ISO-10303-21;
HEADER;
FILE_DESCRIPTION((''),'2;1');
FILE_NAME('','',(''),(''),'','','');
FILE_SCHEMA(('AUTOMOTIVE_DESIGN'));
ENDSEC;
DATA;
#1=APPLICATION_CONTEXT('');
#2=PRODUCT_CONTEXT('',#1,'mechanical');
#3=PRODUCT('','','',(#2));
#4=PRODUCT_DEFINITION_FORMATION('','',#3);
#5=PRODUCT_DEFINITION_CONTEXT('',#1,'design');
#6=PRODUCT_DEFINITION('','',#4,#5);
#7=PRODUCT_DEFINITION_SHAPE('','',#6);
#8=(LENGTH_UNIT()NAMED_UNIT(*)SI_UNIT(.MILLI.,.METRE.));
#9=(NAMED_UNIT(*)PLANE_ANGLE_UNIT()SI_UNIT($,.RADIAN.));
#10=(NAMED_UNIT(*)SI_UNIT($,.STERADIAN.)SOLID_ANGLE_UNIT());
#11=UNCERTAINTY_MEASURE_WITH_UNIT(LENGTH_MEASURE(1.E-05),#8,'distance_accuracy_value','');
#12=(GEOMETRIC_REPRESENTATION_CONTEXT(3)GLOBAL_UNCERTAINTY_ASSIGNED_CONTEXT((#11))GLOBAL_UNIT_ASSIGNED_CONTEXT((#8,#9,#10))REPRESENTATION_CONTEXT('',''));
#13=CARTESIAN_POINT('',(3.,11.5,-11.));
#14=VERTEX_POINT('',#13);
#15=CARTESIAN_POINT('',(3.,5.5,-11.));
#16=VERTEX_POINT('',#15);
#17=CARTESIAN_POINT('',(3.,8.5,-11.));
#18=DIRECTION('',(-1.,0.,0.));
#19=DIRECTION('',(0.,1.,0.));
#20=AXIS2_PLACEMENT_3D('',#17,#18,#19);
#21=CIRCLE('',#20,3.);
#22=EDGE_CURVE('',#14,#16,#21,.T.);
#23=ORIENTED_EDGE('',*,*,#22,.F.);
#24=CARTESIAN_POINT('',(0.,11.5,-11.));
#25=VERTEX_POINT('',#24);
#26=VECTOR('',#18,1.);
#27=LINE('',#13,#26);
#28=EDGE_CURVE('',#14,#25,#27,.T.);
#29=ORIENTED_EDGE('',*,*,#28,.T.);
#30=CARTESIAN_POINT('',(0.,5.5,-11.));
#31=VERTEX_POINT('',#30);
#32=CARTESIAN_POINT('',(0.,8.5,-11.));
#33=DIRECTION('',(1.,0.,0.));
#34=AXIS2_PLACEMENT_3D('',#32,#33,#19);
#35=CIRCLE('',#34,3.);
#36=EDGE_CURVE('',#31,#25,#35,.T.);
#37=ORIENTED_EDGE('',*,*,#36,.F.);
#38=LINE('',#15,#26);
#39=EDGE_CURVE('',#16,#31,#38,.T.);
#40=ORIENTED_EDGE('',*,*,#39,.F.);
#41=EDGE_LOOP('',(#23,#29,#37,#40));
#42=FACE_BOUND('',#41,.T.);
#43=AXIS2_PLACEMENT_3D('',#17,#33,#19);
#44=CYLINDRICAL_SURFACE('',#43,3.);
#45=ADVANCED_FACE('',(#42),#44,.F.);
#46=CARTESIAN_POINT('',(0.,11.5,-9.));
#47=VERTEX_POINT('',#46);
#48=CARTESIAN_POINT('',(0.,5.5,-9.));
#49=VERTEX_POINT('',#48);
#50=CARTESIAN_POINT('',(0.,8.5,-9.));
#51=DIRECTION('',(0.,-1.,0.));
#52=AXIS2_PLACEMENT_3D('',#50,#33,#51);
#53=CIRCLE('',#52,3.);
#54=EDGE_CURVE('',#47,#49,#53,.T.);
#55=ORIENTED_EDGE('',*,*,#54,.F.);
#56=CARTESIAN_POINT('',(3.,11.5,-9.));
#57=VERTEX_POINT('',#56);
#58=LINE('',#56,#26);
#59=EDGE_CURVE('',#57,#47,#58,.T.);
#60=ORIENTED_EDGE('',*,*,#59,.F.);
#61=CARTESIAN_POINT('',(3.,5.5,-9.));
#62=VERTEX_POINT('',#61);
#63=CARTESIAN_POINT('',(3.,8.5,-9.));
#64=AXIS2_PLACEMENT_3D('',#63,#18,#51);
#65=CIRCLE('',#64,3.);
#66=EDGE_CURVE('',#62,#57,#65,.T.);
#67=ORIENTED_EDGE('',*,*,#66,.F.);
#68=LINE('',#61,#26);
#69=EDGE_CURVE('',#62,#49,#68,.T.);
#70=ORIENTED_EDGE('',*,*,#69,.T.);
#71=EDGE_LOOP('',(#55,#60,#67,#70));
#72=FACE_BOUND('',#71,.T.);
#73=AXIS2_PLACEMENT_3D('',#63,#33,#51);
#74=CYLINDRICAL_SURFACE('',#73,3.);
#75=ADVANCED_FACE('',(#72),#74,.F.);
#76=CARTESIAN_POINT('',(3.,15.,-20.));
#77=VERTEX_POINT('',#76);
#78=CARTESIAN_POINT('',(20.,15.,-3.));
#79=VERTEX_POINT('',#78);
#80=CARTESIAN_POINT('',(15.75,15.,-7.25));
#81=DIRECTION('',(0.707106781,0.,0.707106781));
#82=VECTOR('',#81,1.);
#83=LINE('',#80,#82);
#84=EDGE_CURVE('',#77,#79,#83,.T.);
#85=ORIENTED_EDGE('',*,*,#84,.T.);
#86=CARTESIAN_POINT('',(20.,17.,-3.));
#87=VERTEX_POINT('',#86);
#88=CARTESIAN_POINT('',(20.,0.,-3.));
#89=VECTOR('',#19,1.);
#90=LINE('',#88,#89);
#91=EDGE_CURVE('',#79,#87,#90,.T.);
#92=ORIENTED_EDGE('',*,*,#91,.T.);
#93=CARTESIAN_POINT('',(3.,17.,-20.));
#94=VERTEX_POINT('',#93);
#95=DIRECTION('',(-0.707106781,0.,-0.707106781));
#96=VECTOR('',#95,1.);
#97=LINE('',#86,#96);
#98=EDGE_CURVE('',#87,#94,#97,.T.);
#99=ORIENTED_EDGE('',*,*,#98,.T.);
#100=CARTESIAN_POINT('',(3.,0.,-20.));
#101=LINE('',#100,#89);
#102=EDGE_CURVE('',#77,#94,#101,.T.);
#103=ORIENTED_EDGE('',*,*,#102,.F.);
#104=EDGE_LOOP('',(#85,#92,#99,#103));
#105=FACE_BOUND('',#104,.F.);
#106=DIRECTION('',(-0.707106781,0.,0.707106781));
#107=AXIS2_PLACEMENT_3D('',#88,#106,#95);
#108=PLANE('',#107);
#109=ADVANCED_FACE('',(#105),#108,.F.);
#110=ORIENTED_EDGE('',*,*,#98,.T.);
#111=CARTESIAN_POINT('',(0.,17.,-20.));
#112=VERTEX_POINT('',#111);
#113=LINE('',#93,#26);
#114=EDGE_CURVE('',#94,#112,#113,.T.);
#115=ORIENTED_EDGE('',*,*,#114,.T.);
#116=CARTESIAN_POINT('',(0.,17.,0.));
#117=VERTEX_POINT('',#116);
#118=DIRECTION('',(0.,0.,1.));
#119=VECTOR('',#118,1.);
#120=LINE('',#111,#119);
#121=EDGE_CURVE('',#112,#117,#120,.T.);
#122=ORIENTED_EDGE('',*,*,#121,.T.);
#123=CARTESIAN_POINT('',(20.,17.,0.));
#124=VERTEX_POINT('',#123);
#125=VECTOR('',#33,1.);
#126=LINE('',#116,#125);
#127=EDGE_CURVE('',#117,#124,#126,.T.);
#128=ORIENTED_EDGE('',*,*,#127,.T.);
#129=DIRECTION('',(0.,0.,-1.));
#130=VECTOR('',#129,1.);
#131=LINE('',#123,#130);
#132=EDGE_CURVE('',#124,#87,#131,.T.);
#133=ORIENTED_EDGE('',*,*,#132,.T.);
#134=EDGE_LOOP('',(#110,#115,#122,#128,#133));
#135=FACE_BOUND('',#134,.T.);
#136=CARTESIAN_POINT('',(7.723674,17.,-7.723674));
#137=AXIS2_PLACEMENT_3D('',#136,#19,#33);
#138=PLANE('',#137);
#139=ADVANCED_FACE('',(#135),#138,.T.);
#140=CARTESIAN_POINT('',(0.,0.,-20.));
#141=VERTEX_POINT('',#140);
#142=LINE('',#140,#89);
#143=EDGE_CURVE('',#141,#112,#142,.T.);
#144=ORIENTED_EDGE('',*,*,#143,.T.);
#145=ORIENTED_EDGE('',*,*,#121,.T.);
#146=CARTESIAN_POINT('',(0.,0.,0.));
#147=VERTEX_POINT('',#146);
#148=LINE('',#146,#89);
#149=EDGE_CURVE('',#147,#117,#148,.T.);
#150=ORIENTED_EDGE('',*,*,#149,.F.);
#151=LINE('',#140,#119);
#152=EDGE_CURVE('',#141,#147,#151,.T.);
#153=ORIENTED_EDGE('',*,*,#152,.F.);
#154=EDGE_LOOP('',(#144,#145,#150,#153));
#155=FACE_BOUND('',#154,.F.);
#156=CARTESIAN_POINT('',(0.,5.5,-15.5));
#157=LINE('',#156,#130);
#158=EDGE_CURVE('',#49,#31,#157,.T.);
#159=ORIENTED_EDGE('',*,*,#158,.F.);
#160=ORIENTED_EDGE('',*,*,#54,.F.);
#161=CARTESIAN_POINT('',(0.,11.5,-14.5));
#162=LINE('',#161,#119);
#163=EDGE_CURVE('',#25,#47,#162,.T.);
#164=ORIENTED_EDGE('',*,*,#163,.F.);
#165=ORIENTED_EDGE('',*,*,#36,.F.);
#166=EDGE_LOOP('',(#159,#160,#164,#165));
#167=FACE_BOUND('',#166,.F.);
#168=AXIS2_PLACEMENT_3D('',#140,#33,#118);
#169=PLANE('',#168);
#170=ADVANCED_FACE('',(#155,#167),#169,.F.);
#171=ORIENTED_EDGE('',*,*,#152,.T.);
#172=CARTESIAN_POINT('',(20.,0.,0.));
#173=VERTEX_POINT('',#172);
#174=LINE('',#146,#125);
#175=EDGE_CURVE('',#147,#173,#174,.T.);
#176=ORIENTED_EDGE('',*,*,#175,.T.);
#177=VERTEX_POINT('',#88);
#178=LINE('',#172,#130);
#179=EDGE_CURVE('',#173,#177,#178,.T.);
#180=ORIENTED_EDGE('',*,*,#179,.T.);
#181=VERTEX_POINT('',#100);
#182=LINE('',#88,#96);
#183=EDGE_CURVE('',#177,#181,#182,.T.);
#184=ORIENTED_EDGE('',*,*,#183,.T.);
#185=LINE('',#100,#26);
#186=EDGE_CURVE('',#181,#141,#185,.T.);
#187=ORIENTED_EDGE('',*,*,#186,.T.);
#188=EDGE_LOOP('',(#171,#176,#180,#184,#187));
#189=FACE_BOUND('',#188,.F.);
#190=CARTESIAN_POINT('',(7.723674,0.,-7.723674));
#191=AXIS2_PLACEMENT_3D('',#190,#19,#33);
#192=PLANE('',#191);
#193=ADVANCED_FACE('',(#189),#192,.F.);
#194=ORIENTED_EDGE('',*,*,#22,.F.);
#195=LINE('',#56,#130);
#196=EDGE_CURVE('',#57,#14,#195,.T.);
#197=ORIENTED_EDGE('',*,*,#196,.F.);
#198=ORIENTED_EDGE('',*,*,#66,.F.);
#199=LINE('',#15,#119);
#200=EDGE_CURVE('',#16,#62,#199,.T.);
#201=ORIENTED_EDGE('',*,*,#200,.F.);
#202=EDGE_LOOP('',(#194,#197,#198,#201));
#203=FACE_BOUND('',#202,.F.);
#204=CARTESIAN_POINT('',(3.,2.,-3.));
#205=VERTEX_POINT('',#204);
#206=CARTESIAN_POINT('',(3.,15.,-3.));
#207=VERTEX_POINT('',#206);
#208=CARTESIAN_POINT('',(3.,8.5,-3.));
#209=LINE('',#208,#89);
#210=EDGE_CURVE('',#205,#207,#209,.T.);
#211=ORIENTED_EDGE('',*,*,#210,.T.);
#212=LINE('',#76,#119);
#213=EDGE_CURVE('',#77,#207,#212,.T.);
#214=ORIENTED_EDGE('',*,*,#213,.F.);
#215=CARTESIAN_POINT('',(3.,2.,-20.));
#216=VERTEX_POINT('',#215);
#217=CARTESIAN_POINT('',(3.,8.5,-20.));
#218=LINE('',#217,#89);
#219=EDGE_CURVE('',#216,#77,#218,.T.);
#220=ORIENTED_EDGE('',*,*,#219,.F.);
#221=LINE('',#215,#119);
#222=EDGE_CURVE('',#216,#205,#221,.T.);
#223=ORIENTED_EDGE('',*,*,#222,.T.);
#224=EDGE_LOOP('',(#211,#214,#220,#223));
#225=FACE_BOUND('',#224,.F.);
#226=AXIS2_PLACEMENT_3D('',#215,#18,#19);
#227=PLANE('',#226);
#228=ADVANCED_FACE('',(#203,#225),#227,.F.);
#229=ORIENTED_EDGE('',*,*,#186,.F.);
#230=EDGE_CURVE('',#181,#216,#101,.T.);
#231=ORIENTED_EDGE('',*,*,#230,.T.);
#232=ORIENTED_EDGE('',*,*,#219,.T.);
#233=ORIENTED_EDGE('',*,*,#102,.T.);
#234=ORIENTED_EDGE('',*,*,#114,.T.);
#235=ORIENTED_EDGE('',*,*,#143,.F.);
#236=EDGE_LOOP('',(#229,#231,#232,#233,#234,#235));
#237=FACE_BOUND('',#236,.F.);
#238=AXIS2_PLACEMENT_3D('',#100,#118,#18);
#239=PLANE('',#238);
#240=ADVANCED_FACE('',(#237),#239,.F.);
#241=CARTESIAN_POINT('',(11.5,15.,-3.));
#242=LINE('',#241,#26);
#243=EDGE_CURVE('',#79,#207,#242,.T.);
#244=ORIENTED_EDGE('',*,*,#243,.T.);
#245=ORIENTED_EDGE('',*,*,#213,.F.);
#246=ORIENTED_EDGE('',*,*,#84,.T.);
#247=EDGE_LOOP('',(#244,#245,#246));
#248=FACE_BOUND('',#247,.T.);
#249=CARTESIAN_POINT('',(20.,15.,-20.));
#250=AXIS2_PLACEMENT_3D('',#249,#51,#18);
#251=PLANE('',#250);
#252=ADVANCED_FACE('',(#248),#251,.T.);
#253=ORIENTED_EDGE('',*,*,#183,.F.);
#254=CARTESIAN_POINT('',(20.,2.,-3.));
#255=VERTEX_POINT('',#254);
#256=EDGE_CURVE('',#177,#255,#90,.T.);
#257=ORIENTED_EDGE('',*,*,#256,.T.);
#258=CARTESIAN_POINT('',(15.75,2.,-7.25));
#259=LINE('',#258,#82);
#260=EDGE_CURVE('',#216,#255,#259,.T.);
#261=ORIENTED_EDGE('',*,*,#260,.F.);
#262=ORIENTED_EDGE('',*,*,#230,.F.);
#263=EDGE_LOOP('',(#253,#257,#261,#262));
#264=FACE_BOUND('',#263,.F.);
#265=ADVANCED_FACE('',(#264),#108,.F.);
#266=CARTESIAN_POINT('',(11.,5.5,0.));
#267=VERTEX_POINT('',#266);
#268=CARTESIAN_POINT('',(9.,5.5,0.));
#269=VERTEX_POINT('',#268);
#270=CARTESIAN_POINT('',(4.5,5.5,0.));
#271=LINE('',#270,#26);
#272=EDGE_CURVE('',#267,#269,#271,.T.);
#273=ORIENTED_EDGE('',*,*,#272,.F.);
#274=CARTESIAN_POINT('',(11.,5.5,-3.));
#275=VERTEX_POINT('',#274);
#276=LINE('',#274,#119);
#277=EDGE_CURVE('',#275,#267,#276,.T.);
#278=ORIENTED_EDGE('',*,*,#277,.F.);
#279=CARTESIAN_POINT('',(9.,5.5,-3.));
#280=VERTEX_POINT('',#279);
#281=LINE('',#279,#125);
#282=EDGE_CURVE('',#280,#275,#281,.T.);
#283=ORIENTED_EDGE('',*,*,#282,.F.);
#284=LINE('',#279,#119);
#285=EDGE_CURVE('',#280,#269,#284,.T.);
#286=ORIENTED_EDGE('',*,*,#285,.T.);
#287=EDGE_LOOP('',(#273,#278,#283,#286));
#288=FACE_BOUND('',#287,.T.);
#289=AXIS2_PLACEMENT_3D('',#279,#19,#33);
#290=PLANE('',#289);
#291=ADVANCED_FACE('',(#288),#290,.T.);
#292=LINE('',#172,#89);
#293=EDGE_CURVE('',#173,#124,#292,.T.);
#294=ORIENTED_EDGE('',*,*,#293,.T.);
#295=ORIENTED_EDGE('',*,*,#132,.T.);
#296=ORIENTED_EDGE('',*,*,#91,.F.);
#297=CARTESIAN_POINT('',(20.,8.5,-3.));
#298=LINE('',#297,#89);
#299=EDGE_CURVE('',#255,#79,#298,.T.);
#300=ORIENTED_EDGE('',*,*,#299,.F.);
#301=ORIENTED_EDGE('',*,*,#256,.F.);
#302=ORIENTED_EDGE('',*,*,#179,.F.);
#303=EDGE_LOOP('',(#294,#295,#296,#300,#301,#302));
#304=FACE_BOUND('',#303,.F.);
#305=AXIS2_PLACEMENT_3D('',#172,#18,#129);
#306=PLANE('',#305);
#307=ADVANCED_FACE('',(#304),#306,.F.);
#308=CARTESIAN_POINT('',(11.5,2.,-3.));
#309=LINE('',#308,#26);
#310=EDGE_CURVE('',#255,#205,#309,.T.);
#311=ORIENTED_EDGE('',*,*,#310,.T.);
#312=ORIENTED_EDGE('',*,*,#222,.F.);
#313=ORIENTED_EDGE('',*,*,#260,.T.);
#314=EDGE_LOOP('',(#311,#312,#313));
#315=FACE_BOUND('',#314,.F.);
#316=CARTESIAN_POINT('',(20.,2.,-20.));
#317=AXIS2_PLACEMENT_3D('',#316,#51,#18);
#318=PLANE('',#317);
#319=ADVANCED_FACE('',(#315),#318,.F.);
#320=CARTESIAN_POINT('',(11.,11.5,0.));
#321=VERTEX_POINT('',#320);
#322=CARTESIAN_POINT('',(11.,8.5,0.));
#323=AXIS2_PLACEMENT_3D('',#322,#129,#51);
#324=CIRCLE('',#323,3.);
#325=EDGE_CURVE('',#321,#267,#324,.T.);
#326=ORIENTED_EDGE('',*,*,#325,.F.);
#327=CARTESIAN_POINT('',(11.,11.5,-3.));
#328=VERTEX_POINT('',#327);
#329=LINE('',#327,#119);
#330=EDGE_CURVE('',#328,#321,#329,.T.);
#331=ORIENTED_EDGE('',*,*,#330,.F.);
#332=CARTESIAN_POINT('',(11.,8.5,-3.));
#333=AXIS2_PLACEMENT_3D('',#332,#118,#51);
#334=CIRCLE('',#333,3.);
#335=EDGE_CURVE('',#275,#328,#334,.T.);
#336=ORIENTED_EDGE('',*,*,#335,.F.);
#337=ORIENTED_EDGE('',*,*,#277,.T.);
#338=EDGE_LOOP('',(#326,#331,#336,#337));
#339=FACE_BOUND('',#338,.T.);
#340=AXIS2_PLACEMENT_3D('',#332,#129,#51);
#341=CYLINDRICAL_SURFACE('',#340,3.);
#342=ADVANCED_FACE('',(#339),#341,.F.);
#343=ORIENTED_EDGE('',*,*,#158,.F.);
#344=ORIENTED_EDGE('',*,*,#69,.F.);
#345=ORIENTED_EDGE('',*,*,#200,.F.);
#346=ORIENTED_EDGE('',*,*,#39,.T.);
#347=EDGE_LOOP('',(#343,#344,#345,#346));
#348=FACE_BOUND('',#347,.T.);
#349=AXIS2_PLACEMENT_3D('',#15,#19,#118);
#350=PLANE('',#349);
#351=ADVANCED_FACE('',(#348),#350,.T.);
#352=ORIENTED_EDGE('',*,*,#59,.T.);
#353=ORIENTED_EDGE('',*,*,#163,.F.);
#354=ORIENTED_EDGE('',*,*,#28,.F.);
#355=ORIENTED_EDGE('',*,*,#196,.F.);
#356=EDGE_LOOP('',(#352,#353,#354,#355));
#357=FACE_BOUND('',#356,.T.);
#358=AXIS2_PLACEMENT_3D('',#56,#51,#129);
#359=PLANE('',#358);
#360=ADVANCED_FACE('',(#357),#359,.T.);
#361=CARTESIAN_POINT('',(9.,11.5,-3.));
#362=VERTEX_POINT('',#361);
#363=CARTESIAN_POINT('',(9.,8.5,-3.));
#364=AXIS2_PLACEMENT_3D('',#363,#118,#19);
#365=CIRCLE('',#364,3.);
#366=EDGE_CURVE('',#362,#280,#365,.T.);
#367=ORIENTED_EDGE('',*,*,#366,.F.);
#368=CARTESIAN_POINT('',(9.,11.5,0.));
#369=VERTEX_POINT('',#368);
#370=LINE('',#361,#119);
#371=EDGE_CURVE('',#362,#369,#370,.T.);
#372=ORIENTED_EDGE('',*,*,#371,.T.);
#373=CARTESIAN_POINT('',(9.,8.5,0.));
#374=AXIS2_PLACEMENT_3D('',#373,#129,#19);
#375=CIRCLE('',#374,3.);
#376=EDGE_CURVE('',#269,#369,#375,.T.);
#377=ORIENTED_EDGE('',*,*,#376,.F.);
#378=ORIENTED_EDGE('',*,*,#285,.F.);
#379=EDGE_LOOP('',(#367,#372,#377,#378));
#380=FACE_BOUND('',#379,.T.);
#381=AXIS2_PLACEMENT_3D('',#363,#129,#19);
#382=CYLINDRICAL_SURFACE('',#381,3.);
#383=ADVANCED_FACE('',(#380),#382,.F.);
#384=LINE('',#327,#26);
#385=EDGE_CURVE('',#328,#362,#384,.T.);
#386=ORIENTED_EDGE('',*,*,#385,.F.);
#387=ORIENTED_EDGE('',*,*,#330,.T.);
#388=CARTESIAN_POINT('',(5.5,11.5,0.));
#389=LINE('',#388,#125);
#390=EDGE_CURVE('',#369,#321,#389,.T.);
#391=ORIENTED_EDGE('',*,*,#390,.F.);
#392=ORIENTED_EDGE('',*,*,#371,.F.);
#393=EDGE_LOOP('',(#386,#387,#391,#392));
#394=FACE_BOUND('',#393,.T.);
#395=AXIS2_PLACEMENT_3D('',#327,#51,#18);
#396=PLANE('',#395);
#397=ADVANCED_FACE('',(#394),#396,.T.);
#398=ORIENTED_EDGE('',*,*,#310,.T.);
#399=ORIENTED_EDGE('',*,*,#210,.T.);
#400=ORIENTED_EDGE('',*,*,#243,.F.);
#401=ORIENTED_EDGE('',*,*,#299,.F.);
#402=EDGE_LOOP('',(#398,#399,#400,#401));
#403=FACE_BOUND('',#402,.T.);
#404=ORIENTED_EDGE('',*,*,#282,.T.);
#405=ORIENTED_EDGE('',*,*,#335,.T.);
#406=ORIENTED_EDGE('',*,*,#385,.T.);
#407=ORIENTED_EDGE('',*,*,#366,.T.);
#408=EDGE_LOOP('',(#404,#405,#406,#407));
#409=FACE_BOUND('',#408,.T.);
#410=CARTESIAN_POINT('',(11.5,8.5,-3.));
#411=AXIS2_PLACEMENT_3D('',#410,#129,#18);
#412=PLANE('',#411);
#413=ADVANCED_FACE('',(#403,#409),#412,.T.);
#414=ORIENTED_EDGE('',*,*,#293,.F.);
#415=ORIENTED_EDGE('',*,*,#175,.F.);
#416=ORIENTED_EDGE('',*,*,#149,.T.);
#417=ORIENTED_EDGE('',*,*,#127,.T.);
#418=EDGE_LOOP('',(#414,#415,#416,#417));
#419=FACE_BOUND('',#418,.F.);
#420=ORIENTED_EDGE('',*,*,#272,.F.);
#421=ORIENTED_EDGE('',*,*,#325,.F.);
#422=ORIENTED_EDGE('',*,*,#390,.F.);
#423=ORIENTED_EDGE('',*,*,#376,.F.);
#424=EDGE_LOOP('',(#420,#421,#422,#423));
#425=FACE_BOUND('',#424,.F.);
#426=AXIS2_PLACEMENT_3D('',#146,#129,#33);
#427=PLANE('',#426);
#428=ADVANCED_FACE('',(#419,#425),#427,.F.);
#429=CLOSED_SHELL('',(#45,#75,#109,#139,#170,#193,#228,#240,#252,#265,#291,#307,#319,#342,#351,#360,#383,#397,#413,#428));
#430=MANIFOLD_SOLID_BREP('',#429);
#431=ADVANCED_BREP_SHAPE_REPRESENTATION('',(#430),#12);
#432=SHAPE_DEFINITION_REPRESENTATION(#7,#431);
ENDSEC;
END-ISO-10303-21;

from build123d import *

# Parameters (mm, degrees)
BOSS_EXTRUDE1_DEPTH = 17
SKETCH2_W           = 17
SKETCH2_H           = 13
CUT_EXTRUDE1_DEPTH  = 17
CUT_EXTRUDE2_REACH  = 5
CUT_EXTRUDE3_REACH  = 5


with BuildPart() as part:
    # Sketch1 → Boss-Extrude1 (new body)
    with BuildSketch(Plane(origin=(0, 0, 0), x_dir=(1, 0, 0), z_dir=(0, 1, 0))):
        Polygon((0, 0), (20, 0), (20, 3), (3, 20), (0, 20), align=None)
    extrude(amount=BOSS_EXTRUDE1_DEPTH)

    # Sketch2 → Cut-Extrude1 (cut)
    with BuildSketch(Plane(origin=(0, 0, -20), x_dir=(-1, 0, 0), z_dir=(0, 0, -1))):
        with Locations((-11.5, 8.5)):
            Rectangle(SKETCH2_W, SKETCH2_H)
    extrude(amount=-CUT_EXTRUDE1_DEPTH, mode=Mode.SUBTRACT)

    # Sketch3 → Cut-Extrude2 (cut, up to next)
    with BuildSketch(Plane(origin=(3, 0, 0), x_dir=(0, 0, -1), z_dir=(1, 0, 0)), mode=Mode.PRIVATE) as cut_extrude2_sk1:
        with BuildLine():
            Line((9, 11.5), (11, 11.5))
            ThreePointArc((11, 11.5), (14, 8.5), (11, 5.5))
            Line((11, 5.5), (9, 5.5))
            ThreePointArc((9, 5.5), (6, 8.5), (9, 11.5))
        make_face()
    cut_extrude2_tool1 = extrude(cut_extrude2_sk1.sketch, amount=-CUT_EXTRUDE2_REACH, mode=Mode.PRIVATE) & part.part
    add(cut_extrude2_tool1.solids().sort_by_distance((3, 8.5, -10))[0], mode=Mode.SUBTRACT)

    # Sketch4 → Cut-Extrude3 (cut, up to next)
    with BuildSketch(Plane(origin=(0, 0, -3), x_dir=(-1, 0, 0), z_dir=(0, 0, -1)), mode=Mode.PRIVATE) as cut_extrude3_sk1:
        with BuildLine():
            Line((-11, 11.5), (-9, 11.5))
            ThreePointArc((-9, 11.5), (-6, 8.5), (-9, 5.5))
            Line((-9, 5.5), (-11, 5.5))
            ThreePointArc((-11, 5.5), (-14, 8.5), (-11, 11.5))
        make_face()
    cut_extrude3_tool1 = extrude(cut_extrude3_sk1.sketch, amount=-CUT_EXTRUDE3_REACH, mode=Mode.PRIVATE) & part.part
    add(cut_extrude3_tool1.solids().sort_by_distance((10, 8.5, -3))[0], mode=Mode.SUBTRACT)


solid = part.part
